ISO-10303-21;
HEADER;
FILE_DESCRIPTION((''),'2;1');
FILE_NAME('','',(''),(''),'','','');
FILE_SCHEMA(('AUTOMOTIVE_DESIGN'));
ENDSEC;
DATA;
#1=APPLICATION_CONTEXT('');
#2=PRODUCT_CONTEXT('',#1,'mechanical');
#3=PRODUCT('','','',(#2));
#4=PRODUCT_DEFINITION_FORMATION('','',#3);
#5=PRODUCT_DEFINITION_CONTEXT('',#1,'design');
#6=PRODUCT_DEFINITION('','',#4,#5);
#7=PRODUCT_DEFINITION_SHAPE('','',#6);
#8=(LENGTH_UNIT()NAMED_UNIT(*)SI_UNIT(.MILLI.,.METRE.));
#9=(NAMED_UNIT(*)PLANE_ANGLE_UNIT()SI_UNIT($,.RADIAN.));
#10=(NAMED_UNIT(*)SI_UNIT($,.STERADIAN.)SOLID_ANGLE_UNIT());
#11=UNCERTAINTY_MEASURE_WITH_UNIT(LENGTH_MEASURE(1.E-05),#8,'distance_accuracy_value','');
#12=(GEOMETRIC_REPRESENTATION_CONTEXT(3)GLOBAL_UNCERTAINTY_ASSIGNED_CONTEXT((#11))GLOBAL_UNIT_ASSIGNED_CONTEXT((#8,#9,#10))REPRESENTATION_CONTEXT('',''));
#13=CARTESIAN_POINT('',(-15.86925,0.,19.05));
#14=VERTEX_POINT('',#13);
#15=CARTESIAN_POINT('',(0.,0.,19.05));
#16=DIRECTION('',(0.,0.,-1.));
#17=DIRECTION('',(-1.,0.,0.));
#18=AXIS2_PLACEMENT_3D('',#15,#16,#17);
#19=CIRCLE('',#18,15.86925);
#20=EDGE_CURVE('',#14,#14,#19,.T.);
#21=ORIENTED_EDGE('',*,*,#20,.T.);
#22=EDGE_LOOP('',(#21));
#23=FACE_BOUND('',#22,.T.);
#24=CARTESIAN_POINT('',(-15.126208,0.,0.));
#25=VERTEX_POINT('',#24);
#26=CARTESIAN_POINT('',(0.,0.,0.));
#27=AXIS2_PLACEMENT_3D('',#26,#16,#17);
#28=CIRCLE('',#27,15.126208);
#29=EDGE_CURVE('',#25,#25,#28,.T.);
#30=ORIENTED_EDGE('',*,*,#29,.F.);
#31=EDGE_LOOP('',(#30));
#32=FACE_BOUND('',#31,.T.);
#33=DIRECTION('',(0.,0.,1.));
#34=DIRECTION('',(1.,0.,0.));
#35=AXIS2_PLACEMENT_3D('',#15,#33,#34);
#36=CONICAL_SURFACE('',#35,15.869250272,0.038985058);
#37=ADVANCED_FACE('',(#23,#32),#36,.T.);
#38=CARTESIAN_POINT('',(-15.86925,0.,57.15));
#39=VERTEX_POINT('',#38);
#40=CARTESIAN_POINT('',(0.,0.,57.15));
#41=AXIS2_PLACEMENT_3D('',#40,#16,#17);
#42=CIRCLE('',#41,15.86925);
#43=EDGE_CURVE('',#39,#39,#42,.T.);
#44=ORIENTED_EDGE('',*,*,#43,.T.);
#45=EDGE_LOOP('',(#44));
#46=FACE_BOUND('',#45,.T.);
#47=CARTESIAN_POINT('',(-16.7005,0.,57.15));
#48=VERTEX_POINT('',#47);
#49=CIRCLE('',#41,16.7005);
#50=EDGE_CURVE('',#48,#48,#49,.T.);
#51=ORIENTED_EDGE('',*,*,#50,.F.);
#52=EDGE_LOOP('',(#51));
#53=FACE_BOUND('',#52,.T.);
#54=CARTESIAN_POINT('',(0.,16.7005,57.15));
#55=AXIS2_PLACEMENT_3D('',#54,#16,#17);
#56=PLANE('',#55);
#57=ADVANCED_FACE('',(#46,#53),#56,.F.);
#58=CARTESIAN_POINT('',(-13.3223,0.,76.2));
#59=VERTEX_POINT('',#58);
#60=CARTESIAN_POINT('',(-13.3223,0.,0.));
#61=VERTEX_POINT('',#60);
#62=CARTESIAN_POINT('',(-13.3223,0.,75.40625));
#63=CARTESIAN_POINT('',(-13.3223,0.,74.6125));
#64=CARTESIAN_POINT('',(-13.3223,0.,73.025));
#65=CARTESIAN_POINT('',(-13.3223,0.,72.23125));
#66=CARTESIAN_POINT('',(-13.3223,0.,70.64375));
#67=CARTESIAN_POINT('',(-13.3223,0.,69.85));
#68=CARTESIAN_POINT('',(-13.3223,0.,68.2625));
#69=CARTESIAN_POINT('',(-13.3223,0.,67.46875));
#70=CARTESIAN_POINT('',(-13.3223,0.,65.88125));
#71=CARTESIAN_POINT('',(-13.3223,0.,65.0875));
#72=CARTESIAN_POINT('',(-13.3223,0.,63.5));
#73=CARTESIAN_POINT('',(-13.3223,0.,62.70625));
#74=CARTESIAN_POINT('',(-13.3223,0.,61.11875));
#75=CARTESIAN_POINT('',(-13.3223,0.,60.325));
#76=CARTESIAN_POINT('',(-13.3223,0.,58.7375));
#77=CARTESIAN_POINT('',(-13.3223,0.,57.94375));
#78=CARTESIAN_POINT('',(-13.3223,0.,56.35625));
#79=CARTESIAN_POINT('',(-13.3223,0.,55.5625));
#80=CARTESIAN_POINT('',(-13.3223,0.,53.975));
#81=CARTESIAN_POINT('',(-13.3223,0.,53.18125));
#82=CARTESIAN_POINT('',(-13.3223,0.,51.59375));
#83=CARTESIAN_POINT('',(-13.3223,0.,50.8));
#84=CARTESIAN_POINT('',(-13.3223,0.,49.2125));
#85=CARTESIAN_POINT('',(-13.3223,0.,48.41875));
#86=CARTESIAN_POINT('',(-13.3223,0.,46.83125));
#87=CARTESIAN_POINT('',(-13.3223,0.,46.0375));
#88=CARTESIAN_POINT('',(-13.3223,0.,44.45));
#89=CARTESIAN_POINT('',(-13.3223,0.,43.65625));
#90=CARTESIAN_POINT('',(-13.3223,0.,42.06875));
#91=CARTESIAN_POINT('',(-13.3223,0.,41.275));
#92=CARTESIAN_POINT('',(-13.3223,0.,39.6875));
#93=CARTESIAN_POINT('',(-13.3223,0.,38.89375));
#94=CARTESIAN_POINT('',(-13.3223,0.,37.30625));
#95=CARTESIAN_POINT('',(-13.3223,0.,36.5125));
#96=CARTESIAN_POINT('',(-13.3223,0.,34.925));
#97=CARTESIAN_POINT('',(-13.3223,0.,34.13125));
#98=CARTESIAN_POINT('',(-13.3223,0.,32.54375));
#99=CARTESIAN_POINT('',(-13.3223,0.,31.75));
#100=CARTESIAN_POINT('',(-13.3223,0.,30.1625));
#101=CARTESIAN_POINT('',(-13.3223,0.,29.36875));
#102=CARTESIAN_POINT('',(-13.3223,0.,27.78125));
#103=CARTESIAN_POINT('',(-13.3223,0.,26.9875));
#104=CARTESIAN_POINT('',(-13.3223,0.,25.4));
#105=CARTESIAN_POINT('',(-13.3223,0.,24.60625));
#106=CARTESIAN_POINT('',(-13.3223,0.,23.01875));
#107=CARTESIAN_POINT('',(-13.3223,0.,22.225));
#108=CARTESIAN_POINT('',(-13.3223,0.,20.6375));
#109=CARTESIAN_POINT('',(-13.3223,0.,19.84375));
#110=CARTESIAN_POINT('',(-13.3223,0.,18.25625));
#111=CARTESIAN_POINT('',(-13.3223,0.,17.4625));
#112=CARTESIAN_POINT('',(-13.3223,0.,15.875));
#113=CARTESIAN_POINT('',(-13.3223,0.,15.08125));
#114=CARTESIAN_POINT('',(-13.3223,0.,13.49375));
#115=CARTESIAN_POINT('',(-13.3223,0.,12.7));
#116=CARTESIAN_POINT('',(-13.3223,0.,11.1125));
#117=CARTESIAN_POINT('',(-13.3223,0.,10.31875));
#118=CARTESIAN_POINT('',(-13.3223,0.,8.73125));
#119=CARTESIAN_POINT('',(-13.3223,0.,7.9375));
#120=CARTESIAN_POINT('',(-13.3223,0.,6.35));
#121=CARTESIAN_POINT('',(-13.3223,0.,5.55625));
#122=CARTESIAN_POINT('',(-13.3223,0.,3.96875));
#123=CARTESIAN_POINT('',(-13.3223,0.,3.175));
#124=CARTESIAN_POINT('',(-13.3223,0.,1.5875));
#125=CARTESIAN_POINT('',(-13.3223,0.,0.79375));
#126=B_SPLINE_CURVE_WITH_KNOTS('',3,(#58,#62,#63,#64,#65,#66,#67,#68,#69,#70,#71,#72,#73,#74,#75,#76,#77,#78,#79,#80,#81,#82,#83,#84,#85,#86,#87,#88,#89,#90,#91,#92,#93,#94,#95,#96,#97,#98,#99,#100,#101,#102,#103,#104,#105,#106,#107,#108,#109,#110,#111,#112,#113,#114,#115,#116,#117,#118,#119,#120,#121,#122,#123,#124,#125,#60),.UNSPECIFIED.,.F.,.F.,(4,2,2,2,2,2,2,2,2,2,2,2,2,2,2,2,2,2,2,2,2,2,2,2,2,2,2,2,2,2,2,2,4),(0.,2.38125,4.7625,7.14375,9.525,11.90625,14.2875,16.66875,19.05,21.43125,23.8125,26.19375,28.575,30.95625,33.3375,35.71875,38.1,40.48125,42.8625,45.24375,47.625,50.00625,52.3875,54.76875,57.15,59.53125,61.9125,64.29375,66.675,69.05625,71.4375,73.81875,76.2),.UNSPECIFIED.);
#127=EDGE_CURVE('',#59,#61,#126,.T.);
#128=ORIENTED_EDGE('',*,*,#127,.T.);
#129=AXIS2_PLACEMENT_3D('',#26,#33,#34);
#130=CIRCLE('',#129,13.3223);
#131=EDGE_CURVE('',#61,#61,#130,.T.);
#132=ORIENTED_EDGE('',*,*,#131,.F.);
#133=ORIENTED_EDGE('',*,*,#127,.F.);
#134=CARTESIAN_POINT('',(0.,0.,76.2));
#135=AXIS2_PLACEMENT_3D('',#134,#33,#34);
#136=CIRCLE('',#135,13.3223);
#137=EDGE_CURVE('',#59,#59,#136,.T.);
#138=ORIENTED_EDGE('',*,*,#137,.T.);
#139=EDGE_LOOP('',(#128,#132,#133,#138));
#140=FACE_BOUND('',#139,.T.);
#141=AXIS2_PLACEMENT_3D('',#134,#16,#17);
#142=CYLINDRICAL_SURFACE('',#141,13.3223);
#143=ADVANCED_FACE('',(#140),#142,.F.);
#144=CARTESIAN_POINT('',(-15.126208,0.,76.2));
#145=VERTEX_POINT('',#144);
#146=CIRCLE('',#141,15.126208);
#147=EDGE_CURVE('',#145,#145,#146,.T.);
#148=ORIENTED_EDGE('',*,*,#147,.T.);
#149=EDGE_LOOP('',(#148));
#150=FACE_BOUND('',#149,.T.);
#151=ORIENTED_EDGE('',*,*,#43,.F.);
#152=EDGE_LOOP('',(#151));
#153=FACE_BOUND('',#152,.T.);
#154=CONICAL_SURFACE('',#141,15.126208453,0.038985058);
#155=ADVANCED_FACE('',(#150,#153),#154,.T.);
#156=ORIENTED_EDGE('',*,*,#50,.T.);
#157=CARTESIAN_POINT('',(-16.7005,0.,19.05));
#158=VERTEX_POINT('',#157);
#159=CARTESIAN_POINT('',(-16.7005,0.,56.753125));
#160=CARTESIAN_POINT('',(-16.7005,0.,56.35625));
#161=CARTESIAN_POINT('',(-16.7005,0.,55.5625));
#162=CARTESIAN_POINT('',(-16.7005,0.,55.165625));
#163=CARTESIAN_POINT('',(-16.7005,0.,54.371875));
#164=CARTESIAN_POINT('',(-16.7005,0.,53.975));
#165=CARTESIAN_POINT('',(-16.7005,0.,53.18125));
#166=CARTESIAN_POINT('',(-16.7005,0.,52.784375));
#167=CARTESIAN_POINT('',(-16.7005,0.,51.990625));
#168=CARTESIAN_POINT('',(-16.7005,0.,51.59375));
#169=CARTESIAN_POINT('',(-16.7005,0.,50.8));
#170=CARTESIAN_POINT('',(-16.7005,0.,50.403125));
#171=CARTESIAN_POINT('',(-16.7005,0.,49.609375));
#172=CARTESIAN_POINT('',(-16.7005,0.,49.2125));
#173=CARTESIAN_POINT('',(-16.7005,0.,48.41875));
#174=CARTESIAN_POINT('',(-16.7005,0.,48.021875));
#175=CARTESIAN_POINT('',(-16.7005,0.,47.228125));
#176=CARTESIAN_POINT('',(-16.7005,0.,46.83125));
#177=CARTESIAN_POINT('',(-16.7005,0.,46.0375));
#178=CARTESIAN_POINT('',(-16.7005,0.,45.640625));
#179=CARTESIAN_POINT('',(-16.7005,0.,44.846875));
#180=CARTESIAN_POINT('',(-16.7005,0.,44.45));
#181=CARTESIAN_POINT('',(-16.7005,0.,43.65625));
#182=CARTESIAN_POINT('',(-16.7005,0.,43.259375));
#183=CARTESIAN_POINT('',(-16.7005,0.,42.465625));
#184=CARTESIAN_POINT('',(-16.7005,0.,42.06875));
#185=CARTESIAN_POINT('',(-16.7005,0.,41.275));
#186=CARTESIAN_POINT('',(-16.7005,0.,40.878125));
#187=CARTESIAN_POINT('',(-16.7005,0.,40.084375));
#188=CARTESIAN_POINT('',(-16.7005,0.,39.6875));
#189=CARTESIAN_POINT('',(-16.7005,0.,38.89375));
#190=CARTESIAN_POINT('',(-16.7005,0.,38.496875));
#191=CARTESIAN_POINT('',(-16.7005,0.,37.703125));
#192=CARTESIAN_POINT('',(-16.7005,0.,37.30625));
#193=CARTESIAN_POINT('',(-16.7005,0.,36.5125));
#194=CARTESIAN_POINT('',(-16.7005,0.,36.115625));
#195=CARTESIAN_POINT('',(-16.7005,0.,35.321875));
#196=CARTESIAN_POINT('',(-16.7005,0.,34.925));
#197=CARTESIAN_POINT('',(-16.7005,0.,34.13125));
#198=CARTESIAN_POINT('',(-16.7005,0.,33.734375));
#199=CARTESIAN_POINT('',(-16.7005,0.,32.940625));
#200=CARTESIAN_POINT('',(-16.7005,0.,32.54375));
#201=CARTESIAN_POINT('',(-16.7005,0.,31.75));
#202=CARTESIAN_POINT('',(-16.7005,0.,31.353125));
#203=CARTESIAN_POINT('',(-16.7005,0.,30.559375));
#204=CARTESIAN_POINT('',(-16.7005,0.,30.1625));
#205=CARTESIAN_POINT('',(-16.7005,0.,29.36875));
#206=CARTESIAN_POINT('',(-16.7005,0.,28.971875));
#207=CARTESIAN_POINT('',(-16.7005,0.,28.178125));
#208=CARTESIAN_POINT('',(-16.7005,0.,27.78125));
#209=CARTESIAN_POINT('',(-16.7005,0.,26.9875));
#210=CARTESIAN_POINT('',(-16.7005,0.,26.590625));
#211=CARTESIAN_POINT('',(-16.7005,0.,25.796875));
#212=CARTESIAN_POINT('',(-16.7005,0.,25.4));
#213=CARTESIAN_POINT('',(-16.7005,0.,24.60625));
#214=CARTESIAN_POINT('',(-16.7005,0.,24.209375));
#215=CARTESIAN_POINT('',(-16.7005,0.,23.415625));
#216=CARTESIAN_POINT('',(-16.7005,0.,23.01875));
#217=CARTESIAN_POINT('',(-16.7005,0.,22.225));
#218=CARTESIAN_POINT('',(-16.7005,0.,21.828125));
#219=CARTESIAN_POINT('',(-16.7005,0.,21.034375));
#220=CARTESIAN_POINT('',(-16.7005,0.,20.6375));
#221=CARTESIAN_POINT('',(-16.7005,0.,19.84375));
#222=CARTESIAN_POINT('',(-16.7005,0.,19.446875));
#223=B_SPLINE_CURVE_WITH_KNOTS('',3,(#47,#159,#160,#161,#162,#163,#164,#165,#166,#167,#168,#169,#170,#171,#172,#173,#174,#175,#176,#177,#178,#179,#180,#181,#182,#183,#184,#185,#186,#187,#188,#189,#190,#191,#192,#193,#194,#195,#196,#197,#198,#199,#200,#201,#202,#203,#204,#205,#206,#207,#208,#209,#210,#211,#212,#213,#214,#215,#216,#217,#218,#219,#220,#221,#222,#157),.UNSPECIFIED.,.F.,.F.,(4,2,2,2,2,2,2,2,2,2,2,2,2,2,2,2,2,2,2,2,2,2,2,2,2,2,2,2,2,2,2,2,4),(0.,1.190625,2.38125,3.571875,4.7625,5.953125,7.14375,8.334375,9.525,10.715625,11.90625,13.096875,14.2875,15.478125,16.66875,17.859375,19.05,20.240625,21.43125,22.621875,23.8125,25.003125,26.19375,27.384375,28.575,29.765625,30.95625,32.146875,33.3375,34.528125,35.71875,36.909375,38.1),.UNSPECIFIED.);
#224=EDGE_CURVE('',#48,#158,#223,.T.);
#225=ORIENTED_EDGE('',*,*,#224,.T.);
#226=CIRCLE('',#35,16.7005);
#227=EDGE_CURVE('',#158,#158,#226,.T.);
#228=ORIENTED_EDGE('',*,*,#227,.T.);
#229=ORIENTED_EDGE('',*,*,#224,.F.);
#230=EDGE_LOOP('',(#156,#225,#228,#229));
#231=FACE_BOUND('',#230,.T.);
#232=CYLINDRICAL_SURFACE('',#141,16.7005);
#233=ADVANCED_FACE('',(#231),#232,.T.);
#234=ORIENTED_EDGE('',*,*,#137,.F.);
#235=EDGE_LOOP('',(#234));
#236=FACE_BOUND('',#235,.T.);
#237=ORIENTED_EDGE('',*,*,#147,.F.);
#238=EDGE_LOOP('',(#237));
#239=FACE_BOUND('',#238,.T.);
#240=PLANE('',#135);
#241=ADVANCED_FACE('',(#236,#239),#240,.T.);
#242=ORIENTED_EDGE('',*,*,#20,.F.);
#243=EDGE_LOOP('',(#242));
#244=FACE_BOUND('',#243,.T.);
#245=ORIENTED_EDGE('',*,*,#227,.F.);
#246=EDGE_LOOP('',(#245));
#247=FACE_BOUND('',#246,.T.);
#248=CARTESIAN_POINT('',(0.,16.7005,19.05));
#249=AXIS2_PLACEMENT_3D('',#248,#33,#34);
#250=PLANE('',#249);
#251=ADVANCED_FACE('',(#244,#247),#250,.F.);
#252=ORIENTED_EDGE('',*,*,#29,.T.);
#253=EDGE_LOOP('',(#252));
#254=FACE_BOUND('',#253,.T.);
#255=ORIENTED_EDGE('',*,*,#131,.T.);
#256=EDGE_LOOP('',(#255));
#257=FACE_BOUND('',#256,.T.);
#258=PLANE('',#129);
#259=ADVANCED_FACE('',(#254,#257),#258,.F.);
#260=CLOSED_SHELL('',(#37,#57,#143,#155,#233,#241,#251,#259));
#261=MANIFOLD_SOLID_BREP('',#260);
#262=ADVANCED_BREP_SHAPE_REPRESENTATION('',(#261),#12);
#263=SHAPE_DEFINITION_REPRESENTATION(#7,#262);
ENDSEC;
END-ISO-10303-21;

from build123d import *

# Parameters (mm, degrees)
SKETCH2_R           = 16.7005
SKETCH2_R_2         = 13.3223
BOSS_EXTRUDE1_DEPTH = 76.2


with BuildPart() as part:
    # Sketch2 → Boss-Extrude1 (new body)
    with BuildSketch(Plane.XY):
        with Locations(Location((0, 0, 0), (0, 0, 180))):
            Circle(SKETCH2_R)
        with Locations(Location((0, 0, 0), (0, 0, 180))):
            Circle(SKETCH2_R_2, mode=Mode.SUBTRACT)
    extrude(amount=BOSS_EXTRUDE1_DEPTH)

    # Sketch3 → Cut-Revolve2 (revolve, cut)
    with BuildSketch(Plane(origin=(0, 0, 0), x_dir=(0, 0, -1), z_dir=(1, 0, 0)), mode=Mode.PRIVATE) as cut_revolve2_sk:
        Polygon((0, 21.813584822), (-19.05, 21.813584822), (-19.05, 16.7005), (-19.05, 15.869250272), (0, 15.126208453), align=None)
        Polygon((-76.2, 15.126208453), (-76.2, 21.813584822), (-57.15, 21.813584822), (-57.15, 16.7005), (-57.15, 15.869250272), align=None)
    revolve(cut_revolve2_sk.sketch.rotate(Axis((0, 0, 38.1), (0, 0, 1)), 90), axis=Axis((0, 0, 38.1), (0, 0, 1)), mode=Mode.SUBTRACT)


solid = part.part
